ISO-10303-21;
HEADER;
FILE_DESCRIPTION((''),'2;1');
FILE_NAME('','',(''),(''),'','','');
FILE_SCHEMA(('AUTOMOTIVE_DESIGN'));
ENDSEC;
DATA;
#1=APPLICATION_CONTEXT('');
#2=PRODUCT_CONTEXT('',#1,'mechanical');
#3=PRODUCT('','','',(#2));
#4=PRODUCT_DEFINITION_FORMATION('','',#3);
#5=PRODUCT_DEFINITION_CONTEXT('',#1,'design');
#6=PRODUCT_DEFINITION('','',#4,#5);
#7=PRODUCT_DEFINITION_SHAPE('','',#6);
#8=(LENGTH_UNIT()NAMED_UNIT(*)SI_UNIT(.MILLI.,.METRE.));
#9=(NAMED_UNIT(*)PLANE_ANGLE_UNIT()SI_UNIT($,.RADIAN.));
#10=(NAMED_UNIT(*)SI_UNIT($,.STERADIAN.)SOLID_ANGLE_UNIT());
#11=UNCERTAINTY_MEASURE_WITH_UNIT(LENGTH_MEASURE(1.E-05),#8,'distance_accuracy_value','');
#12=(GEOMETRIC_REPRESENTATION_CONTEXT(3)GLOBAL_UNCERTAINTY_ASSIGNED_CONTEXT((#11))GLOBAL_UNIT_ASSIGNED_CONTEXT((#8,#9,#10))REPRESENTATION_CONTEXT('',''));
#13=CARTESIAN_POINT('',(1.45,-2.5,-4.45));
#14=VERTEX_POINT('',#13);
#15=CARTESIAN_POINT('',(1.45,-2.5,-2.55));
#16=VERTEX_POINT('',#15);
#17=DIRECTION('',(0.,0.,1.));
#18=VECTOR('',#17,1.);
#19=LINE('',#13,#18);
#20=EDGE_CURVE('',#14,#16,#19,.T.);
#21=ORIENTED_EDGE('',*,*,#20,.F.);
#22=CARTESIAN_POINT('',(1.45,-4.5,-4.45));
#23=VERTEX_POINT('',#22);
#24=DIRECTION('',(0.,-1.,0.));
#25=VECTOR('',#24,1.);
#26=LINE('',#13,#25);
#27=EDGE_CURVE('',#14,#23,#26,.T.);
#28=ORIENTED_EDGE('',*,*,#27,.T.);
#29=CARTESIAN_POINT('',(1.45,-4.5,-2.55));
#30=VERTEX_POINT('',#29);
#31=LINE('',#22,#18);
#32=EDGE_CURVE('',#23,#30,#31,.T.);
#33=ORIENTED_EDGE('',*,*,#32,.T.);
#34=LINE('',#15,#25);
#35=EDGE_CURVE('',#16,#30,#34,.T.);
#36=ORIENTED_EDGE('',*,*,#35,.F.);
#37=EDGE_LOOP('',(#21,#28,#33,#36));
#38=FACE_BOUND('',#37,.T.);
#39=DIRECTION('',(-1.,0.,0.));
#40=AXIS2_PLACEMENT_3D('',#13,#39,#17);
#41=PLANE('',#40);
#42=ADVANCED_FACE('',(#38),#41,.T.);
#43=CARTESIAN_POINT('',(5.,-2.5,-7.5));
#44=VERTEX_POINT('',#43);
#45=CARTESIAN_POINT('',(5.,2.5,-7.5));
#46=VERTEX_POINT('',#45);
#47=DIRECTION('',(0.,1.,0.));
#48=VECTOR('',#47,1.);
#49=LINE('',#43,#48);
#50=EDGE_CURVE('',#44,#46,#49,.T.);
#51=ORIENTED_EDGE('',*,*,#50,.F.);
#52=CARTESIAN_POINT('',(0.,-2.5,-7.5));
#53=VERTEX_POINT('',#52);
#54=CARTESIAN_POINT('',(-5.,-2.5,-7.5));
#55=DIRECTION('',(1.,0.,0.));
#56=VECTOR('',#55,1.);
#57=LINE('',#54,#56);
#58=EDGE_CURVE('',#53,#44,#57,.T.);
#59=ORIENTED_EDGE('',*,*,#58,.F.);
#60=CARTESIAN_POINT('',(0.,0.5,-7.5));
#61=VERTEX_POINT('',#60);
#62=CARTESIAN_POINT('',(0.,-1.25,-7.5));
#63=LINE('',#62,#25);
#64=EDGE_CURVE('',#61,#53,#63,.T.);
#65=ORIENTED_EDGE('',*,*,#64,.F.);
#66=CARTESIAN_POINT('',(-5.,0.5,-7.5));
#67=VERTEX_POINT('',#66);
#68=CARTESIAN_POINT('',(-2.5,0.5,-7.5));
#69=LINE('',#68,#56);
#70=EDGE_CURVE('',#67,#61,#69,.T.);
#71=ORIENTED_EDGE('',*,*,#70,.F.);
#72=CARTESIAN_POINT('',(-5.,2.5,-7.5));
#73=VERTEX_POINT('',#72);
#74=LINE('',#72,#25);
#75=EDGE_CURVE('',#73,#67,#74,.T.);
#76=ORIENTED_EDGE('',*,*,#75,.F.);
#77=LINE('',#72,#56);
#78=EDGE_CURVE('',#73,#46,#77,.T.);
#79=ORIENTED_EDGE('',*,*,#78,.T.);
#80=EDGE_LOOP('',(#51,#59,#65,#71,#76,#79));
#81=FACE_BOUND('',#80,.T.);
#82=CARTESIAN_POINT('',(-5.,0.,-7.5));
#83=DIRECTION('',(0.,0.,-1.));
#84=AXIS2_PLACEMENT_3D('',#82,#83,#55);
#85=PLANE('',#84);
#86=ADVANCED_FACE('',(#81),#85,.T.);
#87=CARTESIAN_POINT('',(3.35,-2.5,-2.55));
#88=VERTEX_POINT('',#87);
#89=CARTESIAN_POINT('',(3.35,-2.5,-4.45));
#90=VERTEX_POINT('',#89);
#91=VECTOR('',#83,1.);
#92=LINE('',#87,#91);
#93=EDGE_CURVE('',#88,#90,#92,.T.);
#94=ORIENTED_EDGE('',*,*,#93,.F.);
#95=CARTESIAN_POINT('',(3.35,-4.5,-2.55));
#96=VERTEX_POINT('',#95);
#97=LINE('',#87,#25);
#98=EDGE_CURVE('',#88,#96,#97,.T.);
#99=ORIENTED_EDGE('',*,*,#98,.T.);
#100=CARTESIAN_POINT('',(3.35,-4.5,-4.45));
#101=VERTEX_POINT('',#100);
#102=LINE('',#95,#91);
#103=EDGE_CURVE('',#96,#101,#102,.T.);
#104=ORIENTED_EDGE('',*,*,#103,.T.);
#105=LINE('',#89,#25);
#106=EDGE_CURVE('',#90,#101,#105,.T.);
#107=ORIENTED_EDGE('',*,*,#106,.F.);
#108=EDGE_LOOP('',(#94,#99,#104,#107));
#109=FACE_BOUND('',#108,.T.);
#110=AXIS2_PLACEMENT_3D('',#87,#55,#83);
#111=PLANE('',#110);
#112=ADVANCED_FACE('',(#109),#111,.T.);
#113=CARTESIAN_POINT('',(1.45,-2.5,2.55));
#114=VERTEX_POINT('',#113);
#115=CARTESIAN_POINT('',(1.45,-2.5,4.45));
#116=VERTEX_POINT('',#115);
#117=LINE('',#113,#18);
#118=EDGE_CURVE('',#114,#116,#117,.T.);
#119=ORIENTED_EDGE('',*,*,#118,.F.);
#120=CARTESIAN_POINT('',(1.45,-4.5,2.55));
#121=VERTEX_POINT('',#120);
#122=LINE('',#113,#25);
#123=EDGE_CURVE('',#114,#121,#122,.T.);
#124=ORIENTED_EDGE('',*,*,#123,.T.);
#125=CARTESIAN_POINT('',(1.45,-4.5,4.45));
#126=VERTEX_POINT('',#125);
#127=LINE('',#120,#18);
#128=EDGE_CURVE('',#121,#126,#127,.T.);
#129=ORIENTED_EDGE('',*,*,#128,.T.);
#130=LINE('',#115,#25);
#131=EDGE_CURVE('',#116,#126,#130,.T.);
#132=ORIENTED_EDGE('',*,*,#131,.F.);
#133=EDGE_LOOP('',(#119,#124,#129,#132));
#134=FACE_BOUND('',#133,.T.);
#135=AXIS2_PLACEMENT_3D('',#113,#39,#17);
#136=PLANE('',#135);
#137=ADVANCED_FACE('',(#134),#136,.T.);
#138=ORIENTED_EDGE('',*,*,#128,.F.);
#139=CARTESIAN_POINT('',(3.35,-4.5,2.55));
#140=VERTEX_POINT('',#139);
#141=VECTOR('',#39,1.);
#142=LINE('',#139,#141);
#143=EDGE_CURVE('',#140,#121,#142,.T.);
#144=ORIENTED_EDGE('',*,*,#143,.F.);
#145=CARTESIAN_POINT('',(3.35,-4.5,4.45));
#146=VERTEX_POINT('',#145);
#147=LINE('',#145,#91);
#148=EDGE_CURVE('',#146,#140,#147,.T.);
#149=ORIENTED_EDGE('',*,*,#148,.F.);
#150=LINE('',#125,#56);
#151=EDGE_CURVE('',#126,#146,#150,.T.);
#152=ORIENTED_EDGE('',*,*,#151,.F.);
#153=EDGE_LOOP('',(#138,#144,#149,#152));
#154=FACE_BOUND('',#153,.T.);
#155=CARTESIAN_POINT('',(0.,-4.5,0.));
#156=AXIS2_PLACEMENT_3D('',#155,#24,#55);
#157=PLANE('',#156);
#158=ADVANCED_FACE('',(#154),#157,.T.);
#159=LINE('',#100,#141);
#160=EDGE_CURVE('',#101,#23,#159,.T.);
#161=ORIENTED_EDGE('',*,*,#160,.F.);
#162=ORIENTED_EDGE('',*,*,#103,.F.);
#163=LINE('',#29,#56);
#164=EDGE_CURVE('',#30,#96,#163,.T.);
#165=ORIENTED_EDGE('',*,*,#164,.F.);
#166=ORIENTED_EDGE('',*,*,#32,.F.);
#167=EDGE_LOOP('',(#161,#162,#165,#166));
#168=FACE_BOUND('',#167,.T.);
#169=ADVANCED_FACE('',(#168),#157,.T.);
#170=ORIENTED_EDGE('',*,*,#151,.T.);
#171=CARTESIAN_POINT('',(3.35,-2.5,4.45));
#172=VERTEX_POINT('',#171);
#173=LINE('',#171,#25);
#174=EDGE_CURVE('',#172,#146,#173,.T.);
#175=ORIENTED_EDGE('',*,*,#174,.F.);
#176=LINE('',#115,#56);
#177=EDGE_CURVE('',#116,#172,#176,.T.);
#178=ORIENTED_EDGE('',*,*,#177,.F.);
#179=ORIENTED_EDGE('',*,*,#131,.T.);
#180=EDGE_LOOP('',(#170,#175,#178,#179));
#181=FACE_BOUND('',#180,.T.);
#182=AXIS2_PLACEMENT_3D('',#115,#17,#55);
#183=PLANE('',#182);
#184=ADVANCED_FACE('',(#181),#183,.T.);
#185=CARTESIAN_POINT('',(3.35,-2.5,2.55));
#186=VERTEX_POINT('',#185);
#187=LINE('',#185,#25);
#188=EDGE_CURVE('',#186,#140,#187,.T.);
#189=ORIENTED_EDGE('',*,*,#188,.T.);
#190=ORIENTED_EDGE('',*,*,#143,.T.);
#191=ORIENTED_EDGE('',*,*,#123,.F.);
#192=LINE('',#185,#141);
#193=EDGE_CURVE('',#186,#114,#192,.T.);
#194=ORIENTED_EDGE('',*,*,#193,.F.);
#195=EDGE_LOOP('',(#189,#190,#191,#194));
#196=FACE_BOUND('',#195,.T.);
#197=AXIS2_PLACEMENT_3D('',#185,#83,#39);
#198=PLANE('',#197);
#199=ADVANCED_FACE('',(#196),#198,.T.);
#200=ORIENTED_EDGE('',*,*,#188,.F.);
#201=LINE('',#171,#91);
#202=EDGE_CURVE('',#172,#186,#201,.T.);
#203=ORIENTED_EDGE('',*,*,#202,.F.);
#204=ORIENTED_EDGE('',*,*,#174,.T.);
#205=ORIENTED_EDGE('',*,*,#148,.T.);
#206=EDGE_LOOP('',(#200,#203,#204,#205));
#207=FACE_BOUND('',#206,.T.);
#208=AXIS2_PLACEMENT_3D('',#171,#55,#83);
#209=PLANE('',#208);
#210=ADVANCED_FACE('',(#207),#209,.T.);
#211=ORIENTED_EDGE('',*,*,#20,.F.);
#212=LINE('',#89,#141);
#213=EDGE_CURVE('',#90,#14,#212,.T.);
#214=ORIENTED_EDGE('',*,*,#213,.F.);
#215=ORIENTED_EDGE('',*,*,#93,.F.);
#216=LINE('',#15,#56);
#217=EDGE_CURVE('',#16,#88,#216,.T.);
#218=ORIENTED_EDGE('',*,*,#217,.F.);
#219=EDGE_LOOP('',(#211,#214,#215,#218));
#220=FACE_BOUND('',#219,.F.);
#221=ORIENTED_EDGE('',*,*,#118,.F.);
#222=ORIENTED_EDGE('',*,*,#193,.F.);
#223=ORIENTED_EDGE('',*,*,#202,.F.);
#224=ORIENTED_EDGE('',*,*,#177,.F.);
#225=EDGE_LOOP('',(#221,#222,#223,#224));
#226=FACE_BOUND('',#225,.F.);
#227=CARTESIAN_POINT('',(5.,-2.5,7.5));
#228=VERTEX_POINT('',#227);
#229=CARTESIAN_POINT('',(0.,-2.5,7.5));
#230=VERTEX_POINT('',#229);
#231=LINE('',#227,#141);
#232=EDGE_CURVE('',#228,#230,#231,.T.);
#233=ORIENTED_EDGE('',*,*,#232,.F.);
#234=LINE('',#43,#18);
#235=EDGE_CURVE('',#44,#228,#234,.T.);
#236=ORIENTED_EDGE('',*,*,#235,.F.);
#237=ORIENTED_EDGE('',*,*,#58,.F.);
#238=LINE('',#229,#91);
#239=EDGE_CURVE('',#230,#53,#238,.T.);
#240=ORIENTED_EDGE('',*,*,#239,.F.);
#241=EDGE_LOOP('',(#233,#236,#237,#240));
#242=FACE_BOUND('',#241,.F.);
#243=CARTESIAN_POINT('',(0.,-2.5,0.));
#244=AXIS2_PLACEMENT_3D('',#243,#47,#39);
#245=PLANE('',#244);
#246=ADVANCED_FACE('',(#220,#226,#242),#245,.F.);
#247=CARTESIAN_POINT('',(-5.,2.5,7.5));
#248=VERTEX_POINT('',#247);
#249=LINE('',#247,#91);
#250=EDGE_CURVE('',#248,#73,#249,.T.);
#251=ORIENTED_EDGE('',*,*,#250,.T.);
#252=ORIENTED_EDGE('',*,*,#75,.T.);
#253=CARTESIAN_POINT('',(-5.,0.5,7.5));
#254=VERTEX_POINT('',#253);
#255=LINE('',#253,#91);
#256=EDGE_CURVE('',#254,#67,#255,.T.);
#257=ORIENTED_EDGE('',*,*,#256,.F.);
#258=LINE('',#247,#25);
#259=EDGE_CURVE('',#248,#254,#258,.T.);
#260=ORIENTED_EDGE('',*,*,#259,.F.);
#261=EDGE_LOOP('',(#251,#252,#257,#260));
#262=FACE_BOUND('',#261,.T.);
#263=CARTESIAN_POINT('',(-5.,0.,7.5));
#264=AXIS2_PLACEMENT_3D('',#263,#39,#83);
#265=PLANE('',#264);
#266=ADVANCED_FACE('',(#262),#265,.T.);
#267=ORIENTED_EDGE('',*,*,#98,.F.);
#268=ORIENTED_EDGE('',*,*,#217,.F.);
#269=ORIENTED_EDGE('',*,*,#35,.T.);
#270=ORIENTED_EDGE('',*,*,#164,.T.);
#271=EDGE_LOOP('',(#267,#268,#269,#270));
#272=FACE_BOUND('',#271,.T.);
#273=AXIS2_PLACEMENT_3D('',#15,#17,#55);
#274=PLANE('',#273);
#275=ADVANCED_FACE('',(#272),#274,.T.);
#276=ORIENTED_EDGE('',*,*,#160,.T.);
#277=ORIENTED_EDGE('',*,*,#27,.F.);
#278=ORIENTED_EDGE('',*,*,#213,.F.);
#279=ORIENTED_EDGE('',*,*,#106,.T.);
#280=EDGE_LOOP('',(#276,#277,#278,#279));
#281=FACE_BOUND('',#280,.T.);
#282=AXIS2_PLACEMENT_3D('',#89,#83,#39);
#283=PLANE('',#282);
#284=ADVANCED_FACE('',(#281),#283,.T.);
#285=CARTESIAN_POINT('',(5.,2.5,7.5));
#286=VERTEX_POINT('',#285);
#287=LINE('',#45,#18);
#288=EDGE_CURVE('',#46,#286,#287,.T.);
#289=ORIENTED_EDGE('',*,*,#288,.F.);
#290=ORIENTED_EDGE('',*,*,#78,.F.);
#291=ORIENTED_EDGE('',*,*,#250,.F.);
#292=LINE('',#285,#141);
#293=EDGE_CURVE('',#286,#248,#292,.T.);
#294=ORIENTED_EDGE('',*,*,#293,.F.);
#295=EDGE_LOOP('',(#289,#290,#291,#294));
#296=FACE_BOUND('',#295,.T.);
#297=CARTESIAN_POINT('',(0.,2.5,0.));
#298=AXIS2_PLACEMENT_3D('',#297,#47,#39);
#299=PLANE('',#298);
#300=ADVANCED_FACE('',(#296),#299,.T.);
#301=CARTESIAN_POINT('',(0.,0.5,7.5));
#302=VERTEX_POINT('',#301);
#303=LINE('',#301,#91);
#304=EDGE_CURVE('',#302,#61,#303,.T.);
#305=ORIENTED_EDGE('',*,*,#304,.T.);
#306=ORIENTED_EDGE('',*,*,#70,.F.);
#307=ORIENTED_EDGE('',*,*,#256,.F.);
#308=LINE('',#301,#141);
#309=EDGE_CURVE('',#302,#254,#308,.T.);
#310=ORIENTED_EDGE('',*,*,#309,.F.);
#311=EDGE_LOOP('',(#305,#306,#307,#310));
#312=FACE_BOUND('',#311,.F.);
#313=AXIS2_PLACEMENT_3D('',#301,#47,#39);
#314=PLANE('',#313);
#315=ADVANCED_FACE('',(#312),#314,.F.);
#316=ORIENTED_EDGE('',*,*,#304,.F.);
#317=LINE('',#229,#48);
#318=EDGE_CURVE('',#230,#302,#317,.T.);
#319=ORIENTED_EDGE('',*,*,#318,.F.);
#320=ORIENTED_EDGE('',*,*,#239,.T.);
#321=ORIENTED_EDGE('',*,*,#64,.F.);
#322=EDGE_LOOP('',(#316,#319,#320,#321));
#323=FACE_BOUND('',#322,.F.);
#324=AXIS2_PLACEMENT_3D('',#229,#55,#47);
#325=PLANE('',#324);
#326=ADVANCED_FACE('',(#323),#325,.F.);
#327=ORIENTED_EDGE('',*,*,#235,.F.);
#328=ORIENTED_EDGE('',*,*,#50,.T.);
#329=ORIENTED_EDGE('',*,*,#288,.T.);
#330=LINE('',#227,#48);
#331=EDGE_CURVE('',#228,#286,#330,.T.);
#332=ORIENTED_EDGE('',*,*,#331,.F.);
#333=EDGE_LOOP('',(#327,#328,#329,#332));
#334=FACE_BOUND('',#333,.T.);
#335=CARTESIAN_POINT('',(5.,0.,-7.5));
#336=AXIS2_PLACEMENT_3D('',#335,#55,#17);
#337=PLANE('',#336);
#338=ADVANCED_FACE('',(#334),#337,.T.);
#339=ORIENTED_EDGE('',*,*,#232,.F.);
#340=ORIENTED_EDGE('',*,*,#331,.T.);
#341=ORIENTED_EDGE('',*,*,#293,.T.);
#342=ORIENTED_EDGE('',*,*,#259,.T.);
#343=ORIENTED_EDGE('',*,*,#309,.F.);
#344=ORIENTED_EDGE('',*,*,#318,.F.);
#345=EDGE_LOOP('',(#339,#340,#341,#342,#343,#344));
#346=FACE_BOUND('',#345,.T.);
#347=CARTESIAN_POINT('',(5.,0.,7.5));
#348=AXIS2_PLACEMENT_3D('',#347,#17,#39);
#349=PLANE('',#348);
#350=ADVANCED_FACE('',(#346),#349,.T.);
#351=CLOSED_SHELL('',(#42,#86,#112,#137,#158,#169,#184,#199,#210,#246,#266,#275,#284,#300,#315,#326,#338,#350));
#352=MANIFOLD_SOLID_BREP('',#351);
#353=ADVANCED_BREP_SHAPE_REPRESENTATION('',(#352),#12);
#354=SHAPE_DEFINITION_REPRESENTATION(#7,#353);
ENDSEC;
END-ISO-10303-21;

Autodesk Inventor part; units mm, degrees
ref_plane "YZ Plane" through (0, 0, 0) normal (1, 0, 0) x (0, 1, 0)
ref_plane "XZ Plane" through (0, 0, 0) normal (0, 1, 0) x (-1, 0, 0)
ref_plane "XY Plane" through (0, 0, 0) normal (0, 0, 1) x (1, 0, 0)
sketch "Sketch1" plane through (0, 0, 0) normal (0, 1, 0) x (-1, 0, 0)
  line L0 (-5, 7.5) -> (5, 7.5)
  line L1 (5, 7.5) -> (5, -7.5)
  line L2 (5, -7.5) -> (-5, -7.5)
  line L3 (-5, -7.5) -> (-5, 7.5)
  line L4 (-5, 7.5) -> (5, -7.5) construction
  line L5 (5, 7.5) -> (-5, -7.5) construction
  point P0 (0, 0)
  dimension "d0" = 10
  dimension "d1" = 15
extrude "Extrusion1" add sketch "Sketch1" along normal mid plane 5
sketch "Sketch2" plane through (-5, 2.5, 7.5) normal (0, 0, 1) x (1, 0, 0)
  line L0 (0, 0) -> (0, -5) projected
  line L1 (5, -2) -> (0, -2)
  line L2 (0, -2) -> (0, -5)
  line L3 (0, -5) -> (5, -5)
  line L4 (5, -5) -> (5, -2)
  line L5 (5, -2) -> (0, -5) construction
  line L6 (0, -2) -> (5, -5) construction
  point P0 (5, -2.5)
  point P1 (2.5, -3.5)
  dimension "d4" = 5
  dimension "d13" = 3
extrude "Extrusion2" cut sketch "Sketch2" against normal through all
sketch "Sketch3" plane through (0, -2.5, 0) normal (0, -1, 0) x (1, 0, 0)
  line L0 (3.4, 4.5) -> (1.4, 4.5) construction
  line L1 (1.4, 4.5) -> (1.4, 2.5) construction
  line L2 (1.4, 2.5) -> (3.4, 2.5) construction
  line L3 (3.4, 2.5) -> (3.4, 4.5) construction
  line L4 (3.4, 4.5) -> (1.4, 2.5) construction
  line L5 (1.4, 4.5) -> (3.4, 2.5) construction
  line L6 (3.4, -2.5) -> (1.4, -2.5) construction
  line L7 (1.4, -2.5) -> (1.4, -4.5) construction
  line L8 (1.4, -4.5) -> (3.4, -4.5) construction
  line L9 (3.4, -4.5) -> (3.4, -2.5) construction
  line L10 (3.4, -2.5) -> (1.4, -4.5) construction
  line L11 (1.4, -2.5) -> (3.4, -4.5) construction
  line L12 (2.4, 3.5) -> (2.4, -3.5) construction
  line L13 (3.35, 2.55) -> (1.45, 2.55)
  line L14 (1.45, 2.55) -> (1.45, 4.45)
  line L15 (1.45, 4.45) -> (3.35, 4.45)
  line L16 (3.35, 4.45) -> (3.35, 2.55)
  line L17 (1.45, -2.55) -> (3.35, -2.55)
  line L18 (3.35, -2.55) -> (3.35, -4.45)
  line L19 (3.35, -4.45) -> (1.45, -4.45)
  line L20 (1.45, -4.45) -> (1.45, -2.55)
  line L21 (5, -7.5) -> (5, 7.5) projected
  point P0 (0, 0)
  point P1 (2.4, 0)
  dimension "d7" = 2
  dimension "d8" = 7
  dimension "d11" = 0.05
  dimension "d12" = 0.05
  dimension "d14" = 2.6
extrude "Extrusion3" add sketch "Sketch3" along normal blind 2
properties part number "AlignmentPiece"
